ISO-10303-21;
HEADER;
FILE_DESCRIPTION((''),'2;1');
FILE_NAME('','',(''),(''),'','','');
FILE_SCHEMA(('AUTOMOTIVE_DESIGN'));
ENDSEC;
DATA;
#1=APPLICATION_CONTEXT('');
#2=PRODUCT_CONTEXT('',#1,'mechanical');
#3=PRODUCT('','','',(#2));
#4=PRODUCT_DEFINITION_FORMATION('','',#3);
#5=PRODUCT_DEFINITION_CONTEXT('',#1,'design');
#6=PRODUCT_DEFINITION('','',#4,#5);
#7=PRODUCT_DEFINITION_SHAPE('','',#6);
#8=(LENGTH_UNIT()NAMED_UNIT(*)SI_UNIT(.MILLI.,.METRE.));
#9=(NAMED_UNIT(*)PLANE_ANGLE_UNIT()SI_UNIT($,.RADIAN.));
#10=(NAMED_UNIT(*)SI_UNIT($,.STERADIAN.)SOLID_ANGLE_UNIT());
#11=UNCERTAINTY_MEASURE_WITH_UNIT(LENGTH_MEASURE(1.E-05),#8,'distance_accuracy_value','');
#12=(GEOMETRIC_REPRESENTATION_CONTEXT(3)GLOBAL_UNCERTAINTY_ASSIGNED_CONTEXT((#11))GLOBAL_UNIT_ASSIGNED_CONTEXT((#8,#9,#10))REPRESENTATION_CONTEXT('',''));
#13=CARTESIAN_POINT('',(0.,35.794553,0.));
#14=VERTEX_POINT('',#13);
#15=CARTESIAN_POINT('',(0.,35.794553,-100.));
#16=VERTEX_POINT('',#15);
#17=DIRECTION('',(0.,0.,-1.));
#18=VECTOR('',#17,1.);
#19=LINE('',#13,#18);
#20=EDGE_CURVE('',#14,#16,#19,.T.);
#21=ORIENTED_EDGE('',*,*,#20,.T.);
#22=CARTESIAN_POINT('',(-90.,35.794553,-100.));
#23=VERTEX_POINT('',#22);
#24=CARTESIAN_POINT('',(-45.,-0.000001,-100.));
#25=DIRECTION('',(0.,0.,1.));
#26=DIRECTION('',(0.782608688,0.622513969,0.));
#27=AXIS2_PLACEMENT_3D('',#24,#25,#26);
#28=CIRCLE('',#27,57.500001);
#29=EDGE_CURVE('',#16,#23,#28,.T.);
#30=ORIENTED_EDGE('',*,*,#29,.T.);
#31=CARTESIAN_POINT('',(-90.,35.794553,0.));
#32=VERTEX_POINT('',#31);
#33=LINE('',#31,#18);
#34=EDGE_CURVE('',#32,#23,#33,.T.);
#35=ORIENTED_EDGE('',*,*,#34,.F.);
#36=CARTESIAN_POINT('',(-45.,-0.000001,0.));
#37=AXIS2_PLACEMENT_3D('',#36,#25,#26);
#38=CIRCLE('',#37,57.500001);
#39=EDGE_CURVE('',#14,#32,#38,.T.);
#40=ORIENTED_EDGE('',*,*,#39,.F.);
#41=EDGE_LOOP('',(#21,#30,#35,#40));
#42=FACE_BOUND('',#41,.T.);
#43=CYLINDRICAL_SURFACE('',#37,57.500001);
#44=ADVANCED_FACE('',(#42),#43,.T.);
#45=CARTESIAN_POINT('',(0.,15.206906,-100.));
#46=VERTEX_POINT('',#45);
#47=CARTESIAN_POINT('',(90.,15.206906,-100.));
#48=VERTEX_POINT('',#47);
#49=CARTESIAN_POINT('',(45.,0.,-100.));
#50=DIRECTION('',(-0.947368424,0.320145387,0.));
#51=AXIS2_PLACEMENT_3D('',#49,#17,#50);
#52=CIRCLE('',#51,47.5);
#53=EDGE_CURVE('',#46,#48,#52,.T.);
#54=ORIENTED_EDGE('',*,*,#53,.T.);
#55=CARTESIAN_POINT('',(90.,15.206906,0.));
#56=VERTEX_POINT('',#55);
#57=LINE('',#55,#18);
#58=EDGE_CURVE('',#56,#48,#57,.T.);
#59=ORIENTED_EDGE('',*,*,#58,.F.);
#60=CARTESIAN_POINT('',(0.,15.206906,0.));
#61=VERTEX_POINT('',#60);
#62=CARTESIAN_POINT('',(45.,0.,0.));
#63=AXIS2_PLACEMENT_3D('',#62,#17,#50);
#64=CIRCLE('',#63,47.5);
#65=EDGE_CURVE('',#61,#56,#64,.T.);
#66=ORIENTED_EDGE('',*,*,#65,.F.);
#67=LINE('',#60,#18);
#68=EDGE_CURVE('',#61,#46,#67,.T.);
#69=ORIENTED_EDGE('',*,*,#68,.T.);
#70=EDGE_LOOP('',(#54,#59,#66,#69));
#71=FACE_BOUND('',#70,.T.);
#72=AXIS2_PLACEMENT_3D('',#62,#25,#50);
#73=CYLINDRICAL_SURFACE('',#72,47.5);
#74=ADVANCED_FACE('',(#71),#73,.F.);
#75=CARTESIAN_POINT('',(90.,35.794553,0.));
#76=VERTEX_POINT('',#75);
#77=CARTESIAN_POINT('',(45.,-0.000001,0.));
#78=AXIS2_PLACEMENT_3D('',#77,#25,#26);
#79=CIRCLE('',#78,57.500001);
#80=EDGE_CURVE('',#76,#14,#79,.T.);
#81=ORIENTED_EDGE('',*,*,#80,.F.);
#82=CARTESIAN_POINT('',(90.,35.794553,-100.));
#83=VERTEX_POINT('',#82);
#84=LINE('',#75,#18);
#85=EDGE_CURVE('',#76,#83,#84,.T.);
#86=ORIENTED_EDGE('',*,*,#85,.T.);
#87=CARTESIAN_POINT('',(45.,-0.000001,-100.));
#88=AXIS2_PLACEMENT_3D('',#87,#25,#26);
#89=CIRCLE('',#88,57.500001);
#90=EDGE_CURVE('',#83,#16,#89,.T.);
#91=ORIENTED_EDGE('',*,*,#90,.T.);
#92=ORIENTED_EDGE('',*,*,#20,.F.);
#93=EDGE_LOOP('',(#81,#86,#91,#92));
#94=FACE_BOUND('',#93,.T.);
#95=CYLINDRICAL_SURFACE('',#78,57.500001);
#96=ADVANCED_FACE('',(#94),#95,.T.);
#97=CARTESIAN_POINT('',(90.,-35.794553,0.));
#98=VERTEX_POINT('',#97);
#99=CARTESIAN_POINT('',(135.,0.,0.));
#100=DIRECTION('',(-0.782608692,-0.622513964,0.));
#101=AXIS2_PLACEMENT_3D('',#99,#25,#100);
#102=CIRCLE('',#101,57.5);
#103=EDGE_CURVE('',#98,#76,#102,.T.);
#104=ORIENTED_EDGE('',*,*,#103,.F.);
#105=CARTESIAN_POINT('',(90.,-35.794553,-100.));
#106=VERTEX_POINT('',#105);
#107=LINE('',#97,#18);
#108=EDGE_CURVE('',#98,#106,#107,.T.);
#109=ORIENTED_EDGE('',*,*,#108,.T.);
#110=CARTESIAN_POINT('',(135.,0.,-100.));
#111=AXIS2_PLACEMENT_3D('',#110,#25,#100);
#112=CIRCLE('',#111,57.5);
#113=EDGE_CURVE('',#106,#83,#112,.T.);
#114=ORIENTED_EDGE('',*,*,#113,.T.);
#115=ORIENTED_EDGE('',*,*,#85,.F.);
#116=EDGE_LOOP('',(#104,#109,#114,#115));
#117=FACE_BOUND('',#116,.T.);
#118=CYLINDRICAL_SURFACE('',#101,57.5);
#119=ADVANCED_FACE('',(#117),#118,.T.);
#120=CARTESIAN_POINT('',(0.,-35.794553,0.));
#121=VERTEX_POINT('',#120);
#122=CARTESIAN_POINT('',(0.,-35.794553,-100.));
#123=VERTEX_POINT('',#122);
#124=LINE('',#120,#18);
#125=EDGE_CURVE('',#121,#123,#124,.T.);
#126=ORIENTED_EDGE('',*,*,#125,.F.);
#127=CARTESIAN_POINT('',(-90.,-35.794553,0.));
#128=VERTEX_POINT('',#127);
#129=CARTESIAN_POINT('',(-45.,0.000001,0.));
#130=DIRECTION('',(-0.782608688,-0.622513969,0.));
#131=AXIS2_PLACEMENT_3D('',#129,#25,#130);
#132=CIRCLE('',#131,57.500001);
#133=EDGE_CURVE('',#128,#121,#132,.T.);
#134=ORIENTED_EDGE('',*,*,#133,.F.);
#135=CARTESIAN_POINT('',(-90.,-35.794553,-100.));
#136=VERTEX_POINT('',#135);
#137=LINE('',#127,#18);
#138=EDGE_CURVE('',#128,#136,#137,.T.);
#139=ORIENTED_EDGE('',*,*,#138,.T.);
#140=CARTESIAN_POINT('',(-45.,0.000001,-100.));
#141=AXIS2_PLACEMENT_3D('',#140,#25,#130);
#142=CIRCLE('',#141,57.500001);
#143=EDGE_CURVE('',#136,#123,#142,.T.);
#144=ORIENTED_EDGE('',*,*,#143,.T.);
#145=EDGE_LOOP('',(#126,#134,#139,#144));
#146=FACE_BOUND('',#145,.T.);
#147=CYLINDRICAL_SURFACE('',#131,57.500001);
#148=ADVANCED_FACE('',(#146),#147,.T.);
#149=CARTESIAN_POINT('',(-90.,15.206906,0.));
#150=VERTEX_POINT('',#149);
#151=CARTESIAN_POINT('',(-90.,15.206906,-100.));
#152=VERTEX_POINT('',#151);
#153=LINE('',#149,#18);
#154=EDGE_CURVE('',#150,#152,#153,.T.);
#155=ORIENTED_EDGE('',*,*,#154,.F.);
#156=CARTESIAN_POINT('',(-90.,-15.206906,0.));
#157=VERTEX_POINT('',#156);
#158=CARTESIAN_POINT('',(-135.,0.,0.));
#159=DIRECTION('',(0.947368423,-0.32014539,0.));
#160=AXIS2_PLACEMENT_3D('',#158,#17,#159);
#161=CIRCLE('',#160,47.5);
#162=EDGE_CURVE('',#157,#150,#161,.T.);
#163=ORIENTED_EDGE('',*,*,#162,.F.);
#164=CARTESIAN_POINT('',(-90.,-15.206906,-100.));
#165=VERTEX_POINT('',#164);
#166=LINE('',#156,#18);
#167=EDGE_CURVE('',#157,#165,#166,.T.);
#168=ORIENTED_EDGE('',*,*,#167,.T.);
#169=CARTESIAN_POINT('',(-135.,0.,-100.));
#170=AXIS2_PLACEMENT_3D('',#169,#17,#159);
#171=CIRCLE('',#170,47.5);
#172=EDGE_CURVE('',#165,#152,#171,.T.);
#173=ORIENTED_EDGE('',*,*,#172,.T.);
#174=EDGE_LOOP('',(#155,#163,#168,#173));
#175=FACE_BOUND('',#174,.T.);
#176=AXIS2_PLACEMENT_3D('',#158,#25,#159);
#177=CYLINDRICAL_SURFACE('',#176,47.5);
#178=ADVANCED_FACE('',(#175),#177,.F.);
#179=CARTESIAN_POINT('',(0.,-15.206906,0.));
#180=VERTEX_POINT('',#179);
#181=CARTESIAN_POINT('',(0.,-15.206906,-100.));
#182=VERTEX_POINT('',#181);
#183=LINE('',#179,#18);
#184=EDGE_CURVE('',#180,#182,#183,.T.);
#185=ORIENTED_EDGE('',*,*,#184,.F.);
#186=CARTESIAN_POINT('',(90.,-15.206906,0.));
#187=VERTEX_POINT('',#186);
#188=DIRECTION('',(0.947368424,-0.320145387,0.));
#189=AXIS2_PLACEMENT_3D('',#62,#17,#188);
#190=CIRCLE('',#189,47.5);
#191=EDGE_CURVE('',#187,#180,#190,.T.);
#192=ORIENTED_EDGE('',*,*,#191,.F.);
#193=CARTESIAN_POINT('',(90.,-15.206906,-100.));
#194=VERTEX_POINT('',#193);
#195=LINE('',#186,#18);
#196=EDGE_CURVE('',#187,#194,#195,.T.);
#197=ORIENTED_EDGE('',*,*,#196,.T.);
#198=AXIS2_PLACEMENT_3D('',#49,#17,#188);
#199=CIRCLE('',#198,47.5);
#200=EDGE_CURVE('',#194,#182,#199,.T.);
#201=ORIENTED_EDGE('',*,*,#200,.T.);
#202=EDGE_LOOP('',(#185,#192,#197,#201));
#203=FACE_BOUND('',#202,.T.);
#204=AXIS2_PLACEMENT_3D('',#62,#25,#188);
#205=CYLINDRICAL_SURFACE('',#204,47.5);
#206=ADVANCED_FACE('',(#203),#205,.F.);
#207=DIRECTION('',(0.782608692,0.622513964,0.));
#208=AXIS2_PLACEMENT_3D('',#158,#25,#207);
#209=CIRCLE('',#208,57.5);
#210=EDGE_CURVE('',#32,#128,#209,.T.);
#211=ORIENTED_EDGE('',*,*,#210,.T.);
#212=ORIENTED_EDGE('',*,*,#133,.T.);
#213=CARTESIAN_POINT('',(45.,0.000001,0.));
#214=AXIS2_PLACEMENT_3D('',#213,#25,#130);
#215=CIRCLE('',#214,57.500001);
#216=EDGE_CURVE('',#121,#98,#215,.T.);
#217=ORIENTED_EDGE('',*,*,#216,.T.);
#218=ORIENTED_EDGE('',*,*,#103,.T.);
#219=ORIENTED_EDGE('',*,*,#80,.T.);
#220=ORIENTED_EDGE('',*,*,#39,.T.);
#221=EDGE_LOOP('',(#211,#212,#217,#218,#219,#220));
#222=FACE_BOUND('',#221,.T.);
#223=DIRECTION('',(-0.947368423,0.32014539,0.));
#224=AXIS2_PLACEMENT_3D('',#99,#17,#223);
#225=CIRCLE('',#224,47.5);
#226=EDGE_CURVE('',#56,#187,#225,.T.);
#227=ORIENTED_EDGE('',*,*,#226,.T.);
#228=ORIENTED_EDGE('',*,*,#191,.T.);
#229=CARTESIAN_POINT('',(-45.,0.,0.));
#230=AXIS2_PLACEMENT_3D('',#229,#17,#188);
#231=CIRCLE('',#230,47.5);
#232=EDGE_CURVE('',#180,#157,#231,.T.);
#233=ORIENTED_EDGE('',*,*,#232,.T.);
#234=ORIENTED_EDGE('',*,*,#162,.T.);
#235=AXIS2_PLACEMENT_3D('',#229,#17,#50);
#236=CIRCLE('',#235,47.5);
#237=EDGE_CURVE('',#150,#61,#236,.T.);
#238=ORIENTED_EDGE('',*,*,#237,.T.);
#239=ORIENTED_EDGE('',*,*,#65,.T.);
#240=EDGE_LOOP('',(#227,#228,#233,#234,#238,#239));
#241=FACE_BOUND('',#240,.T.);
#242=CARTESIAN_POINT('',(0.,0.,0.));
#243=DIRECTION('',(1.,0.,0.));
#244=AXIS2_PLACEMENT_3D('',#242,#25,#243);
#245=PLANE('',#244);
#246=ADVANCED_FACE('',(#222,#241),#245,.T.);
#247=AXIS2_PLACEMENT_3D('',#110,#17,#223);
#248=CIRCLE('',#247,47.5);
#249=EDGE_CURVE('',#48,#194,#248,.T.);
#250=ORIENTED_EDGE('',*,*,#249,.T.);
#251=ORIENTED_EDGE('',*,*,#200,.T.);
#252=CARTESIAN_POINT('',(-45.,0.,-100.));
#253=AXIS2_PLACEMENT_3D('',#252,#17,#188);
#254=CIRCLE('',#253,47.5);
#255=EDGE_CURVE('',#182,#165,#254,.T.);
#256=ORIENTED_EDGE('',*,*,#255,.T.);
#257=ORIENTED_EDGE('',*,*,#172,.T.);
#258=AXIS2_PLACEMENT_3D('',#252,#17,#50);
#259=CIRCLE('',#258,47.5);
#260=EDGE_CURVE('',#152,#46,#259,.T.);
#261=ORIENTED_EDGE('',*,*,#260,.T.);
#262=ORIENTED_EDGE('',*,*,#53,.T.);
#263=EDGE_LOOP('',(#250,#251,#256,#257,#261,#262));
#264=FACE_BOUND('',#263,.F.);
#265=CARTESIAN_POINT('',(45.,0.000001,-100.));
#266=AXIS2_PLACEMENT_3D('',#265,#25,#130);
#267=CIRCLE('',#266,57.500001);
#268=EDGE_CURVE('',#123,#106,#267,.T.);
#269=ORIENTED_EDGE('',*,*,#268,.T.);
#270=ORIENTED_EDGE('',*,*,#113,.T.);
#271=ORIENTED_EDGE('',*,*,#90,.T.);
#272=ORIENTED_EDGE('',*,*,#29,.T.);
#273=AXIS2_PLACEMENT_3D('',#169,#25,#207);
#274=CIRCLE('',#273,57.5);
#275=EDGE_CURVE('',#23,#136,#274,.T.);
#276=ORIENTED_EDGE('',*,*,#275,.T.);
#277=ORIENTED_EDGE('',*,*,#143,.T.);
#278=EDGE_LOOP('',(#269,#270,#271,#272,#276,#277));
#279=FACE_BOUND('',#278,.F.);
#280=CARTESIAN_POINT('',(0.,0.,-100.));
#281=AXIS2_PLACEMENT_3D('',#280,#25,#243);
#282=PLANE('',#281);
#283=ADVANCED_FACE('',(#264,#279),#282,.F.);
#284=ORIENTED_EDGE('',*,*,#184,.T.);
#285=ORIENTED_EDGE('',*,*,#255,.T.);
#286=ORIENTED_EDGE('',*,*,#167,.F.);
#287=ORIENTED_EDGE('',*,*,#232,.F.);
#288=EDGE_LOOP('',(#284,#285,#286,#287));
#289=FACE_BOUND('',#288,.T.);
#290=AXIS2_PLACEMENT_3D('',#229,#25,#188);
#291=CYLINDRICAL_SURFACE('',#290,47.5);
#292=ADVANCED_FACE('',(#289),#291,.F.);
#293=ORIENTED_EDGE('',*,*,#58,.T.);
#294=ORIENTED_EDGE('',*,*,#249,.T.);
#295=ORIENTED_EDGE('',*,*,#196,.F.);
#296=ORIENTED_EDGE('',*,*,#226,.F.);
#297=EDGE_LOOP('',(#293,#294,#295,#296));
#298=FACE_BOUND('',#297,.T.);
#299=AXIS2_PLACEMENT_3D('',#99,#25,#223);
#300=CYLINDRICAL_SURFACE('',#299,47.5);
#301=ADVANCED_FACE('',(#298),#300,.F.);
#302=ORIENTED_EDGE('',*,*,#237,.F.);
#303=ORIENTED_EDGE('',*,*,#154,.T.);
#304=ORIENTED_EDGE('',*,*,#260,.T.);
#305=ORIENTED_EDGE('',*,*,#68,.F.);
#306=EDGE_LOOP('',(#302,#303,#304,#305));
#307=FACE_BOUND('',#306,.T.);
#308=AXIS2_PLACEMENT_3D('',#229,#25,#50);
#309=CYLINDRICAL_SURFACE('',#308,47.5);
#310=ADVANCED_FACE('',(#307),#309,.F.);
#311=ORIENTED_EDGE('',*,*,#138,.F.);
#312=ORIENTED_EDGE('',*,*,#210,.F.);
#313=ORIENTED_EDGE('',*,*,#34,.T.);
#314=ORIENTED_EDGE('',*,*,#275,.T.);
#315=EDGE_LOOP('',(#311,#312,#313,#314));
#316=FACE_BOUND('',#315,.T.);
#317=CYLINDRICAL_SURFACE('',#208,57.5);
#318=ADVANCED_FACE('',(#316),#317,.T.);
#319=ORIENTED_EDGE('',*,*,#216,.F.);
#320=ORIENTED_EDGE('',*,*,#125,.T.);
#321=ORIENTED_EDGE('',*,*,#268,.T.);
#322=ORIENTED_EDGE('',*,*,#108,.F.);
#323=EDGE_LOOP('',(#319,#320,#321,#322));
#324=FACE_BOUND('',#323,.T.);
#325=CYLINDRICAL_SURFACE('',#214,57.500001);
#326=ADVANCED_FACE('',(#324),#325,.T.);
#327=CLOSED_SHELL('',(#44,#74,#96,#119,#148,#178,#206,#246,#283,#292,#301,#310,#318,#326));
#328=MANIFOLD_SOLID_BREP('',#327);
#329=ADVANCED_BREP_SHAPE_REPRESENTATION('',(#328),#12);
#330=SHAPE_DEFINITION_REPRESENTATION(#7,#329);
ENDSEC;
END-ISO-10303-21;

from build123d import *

# Parameters (mm, degrees)
F1_DEPTH = 100


with BuildPart() as f1:
    # F0 (on Top) → F1 (new body)
    with BuildSketch(Plane.XY):
        with BuildLine():
            ThreePointArc((0, 35.794553), (-45, 57.5), (-90, 35.794553))
            ThreePointArc((-90, 35.794553), (-192.5, 0), (-90, -35.794553))
            ThreePointArc((-90, -35.794553), (-45, -57.5), (0, -35.794553))
            ThreePointArc((0, -35.794553), (45, -57.5), (90, -35.794553))
            ThreePointArc((90, -35.794553), (192.5, 0), (90, 35.794553))
            ThreePointArc((90, 35.794553), (45, 57.5), (0, 35.794553))
        make_face()
        with BuildLine():
            ThreePointArc((-90, -15.206906), (-182.5, 0), (-90, 15.206906))
            ThreePointArc((-90, 15.206906), (-45, 47.5), (0, 15.206906))
            ThreePointArc((0, 15.206906), (45, 47.5), (90, 15.206906))
            ThreePointArc((90, 15.206906), (182.5, 0), (90, -15.206906))
            ThreePointArc((90, -15.206906), (45, -47.5), (0, -15.206906))
            ThreePointArc((0, -15.206906), (-45, -47.5), (-90, -15.206906))
        make_face(mode=Mode.SUBTRACT)
    extrude(amount=-F1_DEPTH)


solid = f1.part
